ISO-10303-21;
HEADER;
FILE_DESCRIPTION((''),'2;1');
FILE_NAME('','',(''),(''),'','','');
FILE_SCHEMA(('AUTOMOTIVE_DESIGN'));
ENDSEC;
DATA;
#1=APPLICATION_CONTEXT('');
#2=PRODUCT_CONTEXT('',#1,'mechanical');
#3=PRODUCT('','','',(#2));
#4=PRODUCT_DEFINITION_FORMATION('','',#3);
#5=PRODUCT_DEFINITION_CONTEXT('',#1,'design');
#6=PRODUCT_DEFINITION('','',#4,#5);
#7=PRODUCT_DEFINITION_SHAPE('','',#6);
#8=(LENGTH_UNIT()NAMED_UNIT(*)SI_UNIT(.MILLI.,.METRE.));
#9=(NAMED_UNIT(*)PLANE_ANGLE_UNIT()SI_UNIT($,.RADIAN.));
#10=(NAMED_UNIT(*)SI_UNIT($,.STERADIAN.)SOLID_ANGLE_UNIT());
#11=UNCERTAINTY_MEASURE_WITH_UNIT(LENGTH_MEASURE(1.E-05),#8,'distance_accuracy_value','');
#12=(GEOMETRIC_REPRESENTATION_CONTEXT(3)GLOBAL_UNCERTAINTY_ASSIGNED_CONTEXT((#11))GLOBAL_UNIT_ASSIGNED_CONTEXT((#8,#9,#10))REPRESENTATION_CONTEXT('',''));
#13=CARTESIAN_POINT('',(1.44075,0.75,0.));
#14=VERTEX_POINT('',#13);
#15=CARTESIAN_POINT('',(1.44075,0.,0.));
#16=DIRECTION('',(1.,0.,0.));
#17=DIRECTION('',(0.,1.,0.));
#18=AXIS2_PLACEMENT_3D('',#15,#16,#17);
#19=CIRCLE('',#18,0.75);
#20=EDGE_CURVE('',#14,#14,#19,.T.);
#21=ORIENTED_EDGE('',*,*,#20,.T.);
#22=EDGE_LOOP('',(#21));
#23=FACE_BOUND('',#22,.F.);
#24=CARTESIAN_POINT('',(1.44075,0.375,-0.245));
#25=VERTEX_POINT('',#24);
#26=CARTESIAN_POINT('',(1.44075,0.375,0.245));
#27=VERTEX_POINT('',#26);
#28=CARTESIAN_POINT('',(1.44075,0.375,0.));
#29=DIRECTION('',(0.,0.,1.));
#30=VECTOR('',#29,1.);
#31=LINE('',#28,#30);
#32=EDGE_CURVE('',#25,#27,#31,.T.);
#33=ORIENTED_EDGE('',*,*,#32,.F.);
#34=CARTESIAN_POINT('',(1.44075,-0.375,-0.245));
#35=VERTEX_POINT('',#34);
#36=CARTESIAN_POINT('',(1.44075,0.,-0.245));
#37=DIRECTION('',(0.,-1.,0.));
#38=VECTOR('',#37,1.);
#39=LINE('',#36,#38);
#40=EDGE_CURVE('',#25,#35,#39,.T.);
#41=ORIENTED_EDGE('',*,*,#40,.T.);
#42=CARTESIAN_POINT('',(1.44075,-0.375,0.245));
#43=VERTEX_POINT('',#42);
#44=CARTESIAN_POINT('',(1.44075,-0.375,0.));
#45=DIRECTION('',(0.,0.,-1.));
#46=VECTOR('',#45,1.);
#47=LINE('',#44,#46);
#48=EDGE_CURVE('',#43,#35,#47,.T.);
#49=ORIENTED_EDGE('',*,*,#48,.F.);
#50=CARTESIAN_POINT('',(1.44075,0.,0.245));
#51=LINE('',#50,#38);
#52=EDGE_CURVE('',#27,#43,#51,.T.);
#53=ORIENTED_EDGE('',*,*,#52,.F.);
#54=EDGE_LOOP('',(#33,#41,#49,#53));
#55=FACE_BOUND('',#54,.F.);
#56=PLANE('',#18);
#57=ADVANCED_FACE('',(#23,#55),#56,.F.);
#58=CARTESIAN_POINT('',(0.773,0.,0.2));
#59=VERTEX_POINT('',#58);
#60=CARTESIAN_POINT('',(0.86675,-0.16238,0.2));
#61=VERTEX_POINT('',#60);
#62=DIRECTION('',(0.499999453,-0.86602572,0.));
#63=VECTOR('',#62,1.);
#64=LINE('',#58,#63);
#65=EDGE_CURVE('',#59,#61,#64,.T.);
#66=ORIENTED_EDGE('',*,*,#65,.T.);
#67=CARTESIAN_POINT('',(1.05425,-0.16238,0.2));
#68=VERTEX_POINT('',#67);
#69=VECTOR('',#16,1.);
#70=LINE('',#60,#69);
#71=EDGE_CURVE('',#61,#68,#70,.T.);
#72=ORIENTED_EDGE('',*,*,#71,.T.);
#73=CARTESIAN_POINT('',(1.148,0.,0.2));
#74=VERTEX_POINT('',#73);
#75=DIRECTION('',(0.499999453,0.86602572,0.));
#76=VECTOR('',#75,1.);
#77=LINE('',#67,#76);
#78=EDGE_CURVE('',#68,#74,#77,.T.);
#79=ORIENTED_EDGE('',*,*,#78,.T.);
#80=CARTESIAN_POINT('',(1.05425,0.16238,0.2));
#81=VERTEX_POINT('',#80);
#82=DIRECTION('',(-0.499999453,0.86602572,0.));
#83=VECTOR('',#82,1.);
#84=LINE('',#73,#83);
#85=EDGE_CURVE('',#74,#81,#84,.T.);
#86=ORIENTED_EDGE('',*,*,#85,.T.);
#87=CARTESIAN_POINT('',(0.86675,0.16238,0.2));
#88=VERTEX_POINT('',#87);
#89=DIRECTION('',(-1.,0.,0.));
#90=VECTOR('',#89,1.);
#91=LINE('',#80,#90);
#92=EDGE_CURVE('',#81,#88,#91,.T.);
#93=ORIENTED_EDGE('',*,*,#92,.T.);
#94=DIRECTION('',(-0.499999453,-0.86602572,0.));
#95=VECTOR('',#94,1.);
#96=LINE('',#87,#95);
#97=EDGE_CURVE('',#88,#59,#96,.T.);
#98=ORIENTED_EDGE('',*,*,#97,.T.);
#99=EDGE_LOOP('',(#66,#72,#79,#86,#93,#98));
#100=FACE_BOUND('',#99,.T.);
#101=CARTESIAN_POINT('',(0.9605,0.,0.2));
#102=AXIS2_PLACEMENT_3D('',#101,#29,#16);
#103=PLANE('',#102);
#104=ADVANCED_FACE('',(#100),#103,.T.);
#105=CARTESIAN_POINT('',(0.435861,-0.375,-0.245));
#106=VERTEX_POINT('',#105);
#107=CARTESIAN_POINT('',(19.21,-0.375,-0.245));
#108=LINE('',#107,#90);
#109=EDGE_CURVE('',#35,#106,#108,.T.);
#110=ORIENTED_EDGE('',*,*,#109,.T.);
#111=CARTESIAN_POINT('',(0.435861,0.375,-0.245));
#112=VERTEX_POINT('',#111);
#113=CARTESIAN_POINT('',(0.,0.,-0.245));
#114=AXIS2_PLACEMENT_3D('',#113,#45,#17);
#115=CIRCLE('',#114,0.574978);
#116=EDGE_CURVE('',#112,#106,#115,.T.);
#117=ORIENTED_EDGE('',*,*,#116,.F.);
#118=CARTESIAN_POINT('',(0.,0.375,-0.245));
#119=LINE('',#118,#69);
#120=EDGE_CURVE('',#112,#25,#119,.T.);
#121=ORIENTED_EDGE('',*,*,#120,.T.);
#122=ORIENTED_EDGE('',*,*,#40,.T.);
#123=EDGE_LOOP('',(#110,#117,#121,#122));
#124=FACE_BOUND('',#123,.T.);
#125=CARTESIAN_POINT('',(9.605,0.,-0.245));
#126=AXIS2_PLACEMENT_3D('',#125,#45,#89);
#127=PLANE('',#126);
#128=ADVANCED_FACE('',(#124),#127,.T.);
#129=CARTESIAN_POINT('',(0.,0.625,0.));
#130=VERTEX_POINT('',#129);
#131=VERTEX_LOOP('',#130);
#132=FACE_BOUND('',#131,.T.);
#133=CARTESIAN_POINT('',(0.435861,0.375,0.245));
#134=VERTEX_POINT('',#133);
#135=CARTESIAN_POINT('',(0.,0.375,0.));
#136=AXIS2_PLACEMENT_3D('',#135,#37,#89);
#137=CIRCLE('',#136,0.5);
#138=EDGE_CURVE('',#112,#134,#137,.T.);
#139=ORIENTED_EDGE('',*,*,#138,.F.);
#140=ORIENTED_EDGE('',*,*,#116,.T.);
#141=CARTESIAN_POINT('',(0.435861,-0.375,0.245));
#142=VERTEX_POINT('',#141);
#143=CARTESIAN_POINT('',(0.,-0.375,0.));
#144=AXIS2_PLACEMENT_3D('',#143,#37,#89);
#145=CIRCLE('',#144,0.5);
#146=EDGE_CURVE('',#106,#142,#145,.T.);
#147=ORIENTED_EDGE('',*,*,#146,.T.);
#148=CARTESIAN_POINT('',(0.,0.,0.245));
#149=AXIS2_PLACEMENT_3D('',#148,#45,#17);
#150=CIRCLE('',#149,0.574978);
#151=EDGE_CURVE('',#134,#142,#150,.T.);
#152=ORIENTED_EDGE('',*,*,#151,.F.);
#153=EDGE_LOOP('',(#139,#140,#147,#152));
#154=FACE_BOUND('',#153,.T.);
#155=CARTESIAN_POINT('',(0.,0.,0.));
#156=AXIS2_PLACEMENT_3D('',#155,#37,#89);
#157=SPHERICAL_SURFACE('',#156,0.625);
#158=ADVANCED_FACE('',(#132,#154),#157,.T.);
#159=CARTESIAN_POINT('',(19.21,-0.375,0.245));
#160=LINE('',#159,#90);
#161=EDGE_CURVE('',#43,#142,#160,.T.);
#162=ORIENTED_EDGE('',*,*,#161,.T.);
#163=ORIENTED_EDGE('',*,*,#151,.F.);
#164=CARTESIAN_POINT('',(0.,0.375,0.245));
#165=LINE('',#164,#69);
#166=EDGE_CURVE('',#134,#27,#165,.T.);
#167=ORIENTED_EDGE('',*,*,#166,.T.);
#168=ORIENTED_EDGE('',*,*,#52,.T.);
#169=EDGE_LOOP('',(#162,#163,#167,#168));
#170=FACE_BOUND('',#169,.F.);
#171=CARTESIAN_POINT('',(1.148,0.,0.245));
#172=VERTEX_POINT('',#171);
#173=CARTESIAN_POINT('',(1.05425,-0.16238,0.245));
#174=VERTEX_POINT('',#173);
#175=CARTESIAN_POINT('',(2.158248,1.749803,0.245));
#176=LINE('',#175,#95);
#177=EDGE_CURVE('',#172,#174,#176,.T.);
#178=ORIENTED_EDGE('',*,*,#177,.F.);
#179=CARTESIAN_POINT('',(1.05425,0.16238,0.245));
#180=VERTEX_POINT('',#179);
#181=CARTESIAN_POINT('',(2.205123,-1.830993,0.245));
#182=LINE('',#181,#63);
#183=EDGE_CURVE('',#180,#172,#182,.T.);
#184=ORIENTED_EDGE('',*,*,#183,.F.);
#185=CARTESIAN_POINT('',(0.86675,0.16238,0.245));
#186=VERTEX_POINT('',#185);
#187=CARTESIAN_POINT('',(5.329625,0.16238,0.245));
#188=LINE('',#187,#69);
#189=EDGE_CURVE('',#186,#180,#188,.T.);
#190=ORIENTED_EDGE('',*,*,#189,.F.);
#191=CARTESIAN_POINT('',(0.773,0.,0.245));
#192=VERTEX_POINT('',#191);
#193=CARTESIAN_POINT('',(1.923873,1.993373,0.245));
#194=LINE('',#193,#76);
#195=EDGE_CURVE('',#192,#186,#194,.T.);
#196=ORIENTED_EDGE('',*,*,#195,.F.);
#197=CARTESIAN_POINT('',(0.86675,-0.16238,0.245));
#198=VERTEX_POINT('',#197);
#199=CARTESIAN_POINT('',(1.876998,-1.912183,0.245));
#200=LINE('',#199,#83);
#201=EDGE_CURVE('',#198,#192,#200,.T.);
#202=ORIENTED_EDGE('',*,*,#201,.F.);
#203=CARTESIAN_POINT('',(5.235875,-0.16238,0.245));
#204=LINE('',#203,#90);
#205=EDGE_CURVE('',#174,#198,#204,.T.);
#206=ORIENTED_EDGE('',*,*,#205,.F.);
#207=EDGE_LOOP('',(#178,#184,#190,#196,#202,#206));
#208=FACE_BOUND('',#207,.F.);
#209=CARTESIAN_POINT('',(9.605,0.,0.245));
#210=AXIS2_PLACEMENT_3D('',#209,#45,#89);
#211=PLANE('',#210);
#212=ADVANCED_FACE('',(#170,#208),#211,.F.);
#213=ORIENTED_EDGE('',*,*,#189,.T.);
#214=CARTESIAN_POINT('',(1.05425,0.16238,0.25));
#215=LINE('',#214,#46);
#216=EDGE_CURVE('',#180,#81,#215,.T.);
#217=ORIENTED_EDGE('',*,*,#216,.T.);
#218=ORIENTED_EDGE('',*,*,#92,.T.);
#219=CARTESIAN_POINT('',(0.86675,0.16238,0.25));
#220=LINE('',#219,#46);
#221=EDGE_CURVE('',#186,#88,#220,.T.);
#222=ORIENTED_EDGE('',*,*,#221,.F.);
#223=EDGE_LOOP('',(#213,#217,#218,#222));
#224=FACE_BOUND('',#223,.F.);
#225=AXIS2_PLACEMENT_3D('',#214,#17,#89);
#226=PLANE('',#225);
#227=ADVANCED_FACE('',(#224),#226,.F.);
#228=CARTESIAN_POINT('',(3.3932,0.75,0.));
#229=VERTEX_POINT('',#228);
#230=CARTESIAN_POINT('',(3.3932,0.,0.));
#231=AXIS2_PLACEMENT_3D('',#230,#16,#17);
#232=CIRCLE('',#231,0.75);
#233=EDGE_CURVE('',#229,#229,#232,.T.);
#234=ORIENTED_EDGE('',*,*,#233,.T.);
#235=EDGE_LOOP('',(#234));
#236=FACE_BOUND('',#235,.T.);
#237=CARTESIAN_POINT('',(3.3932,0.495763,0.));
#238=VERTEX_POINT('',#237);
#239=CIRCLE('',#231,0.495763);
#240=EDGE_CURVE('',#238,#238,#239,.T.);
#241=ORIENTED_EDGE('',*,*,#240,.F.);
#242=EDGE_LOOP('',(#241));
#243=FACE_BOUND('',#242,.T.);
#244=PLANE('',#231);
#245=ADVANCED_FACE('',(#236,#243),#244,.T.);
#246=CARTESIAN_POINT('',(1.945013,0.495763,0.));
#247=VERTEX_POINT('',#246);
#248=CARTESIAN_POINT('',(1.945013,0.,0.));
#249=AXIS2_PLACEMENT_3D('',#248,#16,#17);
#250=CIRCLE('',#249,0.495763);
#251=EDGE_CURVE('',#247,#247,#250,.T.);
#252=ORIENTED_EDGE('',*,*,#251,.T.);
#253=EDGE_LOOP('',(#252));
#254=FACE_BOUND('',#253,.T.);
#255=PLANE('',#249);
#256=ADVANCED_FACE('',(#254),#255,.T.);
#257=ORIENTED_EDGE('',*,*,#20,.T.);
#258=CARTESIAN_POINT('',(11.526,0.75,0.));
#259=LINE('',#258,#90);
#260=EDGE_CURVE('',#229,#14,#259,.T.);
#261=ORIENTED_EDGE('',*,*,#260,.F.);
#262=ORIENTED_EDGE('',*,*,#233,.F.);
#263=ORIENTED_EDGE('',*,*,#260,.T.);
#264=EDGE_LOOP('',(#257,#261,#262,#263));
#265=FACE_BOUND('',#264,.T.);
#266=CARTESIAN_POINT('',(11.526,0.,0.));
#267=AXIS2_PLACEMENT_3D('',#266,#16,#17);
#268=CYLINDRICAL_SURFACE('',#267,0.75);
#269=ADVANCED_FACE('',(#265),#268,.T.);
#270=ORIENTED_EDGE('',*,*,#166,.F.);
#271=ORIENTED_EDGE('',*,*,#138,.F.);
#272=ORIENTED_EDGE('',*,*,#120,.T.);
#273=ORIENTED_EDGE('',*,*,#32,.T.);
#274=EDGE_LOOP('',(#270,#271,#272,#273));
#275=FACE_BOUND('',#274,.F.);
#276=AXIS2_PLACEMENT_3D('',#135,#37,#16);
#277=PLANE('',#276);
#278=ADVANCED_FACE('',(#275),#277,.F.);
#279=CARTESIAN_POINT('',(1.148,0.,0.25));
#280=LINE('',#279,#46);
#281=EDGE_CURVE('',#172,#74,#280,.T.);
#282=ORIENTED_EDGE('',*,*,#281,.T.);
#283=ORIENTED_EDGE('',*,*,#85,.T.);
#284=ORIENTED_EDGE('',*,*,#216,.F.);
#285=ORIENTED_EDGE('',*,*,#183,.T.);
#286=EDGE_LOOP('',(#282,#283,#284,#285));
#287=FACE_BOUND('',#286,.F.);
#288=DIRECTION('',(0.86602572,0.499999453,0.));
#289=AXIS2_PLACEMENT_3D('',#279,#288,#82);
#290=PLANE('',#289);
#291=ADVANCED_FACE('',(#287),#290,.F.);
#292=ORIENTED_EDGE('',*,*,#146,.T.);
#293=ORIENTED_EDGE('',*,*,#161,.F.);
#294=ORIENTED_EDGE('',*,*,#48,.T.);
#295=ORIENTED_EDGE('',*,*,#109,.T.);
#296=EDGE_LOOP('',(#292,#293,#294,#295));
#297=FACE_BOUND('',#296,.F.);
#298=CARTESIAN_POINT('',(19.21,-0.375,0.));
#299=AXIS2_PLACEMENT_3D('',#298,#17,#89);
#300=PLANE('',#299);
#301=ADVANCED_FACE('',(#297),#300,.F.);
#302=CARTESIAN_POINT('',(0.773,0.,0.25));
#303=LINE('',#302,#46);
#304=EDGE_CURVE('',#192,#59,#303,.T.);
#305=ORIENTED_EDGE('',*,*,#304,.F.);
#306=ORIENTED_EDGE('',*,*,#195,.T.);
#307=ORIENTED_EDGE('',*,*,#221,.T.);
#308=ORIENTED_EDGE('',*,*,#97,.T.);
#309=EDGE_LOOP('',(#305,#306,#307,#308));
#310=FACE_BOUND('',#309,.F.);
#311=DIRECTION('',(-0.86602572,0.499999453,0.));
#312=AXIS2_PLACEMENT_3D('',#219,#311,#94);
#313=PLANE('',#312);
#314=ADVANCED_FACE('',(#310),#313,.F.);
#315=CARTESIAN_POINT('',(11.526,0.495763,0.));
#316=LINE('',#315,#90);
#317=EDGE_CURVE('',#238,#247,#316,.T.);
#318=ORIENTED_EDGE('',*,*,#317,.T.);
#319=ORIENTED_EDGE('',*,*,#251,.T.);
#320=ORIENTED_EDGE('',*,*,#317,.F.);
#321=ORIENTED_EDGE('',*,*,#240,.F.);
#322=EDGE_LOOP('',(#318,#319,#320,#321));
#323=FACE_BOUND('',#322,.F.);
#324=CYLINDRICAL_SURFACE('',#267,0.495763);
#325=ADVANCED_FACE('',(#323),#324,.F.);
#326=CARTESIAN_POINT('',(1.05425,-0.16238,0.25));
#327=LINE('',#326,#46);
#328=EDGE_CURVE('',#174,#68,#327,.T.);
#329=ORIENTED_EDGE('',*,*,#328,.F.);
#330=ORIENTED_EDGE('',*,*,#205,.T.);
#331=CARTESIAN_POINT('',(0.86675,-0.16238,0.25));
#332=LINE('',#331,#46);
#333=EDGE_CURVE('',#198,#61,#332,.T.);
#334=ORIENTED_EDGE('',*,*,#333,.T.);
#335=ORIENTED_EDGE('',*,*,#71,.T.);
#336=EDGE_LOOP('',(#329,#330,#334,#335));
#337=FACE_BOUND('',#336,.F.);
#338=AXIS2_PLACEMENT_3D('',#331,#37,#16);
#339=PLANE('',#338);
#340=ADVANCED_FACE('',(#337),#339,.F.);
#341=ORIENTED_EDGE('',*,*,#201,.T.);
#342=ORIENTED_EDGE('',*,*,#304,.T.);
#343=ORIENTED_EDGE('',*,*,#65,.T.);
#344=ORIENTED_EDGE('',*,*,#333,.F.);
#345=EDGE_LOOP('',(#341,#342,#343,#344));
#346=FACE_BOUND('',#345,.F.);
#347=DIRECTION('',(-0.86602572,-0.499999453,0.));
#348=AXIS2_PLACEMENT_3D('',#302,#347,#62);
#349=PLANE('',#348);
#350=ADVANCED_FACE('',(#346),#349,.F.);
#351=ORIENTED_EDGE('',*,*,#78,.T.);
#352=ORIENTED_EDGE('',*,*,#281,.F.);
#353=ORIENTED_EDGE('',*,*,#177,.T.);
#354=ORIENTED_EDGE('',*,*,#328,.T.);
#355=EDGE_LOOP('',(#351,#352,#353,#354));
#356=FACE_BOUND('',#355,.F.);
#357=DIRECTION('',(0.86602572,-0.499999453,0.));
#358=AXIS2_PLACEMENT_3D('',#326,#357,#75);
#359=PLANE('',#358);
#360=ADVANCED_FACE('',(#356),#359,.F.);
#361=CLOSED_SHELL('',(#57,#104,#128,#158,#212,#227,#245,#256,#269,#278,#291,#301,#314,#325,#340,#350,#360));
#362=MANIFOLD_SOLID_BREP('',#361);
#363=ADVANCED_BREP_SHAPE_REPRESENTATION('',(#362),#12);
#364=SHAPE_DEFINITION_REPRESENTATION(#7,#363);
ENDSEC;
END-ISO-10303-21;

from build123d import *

# Parameters (mm, degrees)
PAD_DEPTH       = 0.245
POCKET_DEPTH    = 0.05
SKETCH004_R     = 0.75
PAD001_DEPTH    = 10.08525
SKETCH005_R     = 3
HOLE_DEPTH      = 26
SKETCH006_R     = 0.495763
POCKET001_DEPTH = 9.580987
SKETCH007_W     = 15
SKETCH007_H     = 15
POCKET002_DEPTH = 8.1338


with BuildPart() as part:
    # Sketch → Pad (new body, symmetric)
    with BuildSketch(Plane.XY):
        with BuildLine():
            Line((0, 0.375), (19.21, 0.375))
            ThreePointArc((19.21, -0.375), (19.585, 0), (19.21, 0.375))
            Line((19.21, -0.375), (0, -0.375))
            ThreePointArc((0, 0.375), (-0.375, 0), (0, -0.375))
        make_face()
    extrude(amount=PAD_DEPTH, both=True)

    # Sketch001 → Revolution (revolve)
    with BuildSketch(Plane.XY):
        with BuildLine():
            Line((0, 0.625), (0, 0))
            Line((0, 0), (0, -0.625))
            ThreePointArc((0, 0.625), (-0.625, 0), (0, -0.625))
        make_face()
    revolve(axis=Axis((0, 0, 0), (0, -1, 0)))

    # Sketch002 → Revolution001 (revolve)
    with BuildSketch(Plane.XY):
        with BuildLine():
            ThreePointArc((19.21, -0.625), (19.835, 0), (19.21, 0.625))
            Line((19.21, 0.625), (19.21, 0))
            Line((19.21, 0), (19.21, -0.625))
        make_face()
    revolve(axis=Axis((19.21, 0, 0), (0, -1, 0)))

    # Sketch003 (on DatumPlane) → Pocket (cut)
    with BuildSketch(Plane.XY.offset(0.25)):
        Polygon((1.05425, -0.16238), (1.148, 0), (1.05425, 0.16238), (0.86675, 0.16238), (0.773, 0), (0.86675, -0.16238), align=None)
    extrude(amount=-POCKET_DEPTH, mode=Mode.SUBTRACT)

    # Sketch004 (on DatumPlane) → Pad001 (join)
    with BuildSketch(Plane.YZ.offset(11.526)):
        Circle(SKETCH004_R)
    extrude(amount=-PAD001_DEPTH)

    # Sketch005 (on DatumPlane) → Hole (cut)
    with BuildSketch(Plane.YZ.offset(11.526)):
        Circle(SKETCH005_R)
    extrude(amount=HOLE_DEPTH, mode=Mode.SUBTRACT)

    # Sketch006 (on DatumPlane) → Pocket001 (cut)
    with BuildSketch(Plane.YZ.offset(11.526)):
        Circle(SKETCH006_R)
    extrude(amount=-POCKET001_DEPTH, mode=Mode.SUBTRACT)

    # Sketch007 (on DatumPlane) → Pocket002 (cut, through all)
    with BuildSketch(Plane.YZ.offset(3.3932)):
        Rectangle(SKETCH007_W, SKETCH007_H)
    extrude(amount=POCKET002_DEPTH, mode=Mode.SUBTRACT)


solid = part.part
